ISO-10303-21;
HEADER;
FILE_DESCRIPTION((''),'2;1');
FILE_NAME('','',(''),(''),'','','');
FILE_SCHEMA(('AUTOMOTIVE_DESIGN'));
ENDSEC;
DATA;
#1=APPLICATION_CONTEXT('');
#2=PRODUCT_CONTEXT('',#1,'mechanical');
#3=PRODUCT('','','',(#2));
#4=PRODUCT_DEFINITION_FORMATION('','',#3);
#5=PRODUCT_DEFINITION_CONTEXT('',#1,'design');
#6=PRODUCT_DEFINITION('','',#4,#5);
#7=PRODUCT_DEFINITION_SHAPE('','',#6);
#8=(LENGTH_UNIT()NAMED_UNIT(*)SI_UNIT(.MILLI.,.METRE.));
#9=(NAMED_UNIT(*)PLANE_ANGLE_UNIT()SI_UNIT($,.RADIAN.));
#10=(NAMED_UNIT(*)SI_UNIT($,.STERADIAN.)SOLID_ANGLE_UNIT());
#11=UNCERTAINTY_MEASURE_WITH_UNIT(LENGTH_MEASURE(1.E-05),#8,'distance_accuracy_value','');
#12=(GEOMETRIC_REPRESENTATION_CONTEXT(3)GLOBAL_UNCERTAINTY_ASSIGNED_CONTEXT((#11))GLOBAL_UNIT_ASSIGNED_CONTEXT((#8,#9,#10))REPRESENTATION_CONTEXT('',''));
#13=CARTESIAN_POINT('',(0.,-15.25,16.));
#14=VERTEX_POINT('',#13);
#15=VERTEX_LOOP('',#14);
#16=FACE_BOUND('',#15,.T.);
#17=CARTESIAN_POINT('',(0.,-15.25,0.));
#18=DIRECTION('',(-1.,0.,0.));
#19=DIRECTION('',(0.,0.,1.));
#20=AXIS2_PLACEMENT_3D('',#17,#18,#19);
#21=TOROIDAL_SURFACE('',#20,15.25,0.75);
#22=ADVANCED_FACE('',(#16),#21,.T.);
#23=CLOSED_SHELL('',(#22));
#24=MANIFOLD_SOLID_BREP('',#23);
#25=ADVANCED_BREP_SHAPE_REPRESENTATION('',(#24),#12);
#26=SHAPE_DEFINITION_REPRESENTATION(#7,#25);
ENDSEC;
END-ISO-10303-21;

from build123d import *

# Parameters (mm, degrees)
ESQUISSE1_R = 0.75


with BuildPart() as part:
    # joint: sweep along a path in Esquisse2
    with BuildLine(Plane(origin=(0, 0, 0), x_dir=(0, 0, -1), z_dir=(1, 0, 0))) as joint_path:
        CenterArc((0, -15.25), 14.5, 0, 360)
    # Esquisse1 → joint (sweep)
    with BuildSketch(Plane.XY):
        Circle(ESQUISSE1_R)
    sweep(path=joint_path.line)


solid = part.part
